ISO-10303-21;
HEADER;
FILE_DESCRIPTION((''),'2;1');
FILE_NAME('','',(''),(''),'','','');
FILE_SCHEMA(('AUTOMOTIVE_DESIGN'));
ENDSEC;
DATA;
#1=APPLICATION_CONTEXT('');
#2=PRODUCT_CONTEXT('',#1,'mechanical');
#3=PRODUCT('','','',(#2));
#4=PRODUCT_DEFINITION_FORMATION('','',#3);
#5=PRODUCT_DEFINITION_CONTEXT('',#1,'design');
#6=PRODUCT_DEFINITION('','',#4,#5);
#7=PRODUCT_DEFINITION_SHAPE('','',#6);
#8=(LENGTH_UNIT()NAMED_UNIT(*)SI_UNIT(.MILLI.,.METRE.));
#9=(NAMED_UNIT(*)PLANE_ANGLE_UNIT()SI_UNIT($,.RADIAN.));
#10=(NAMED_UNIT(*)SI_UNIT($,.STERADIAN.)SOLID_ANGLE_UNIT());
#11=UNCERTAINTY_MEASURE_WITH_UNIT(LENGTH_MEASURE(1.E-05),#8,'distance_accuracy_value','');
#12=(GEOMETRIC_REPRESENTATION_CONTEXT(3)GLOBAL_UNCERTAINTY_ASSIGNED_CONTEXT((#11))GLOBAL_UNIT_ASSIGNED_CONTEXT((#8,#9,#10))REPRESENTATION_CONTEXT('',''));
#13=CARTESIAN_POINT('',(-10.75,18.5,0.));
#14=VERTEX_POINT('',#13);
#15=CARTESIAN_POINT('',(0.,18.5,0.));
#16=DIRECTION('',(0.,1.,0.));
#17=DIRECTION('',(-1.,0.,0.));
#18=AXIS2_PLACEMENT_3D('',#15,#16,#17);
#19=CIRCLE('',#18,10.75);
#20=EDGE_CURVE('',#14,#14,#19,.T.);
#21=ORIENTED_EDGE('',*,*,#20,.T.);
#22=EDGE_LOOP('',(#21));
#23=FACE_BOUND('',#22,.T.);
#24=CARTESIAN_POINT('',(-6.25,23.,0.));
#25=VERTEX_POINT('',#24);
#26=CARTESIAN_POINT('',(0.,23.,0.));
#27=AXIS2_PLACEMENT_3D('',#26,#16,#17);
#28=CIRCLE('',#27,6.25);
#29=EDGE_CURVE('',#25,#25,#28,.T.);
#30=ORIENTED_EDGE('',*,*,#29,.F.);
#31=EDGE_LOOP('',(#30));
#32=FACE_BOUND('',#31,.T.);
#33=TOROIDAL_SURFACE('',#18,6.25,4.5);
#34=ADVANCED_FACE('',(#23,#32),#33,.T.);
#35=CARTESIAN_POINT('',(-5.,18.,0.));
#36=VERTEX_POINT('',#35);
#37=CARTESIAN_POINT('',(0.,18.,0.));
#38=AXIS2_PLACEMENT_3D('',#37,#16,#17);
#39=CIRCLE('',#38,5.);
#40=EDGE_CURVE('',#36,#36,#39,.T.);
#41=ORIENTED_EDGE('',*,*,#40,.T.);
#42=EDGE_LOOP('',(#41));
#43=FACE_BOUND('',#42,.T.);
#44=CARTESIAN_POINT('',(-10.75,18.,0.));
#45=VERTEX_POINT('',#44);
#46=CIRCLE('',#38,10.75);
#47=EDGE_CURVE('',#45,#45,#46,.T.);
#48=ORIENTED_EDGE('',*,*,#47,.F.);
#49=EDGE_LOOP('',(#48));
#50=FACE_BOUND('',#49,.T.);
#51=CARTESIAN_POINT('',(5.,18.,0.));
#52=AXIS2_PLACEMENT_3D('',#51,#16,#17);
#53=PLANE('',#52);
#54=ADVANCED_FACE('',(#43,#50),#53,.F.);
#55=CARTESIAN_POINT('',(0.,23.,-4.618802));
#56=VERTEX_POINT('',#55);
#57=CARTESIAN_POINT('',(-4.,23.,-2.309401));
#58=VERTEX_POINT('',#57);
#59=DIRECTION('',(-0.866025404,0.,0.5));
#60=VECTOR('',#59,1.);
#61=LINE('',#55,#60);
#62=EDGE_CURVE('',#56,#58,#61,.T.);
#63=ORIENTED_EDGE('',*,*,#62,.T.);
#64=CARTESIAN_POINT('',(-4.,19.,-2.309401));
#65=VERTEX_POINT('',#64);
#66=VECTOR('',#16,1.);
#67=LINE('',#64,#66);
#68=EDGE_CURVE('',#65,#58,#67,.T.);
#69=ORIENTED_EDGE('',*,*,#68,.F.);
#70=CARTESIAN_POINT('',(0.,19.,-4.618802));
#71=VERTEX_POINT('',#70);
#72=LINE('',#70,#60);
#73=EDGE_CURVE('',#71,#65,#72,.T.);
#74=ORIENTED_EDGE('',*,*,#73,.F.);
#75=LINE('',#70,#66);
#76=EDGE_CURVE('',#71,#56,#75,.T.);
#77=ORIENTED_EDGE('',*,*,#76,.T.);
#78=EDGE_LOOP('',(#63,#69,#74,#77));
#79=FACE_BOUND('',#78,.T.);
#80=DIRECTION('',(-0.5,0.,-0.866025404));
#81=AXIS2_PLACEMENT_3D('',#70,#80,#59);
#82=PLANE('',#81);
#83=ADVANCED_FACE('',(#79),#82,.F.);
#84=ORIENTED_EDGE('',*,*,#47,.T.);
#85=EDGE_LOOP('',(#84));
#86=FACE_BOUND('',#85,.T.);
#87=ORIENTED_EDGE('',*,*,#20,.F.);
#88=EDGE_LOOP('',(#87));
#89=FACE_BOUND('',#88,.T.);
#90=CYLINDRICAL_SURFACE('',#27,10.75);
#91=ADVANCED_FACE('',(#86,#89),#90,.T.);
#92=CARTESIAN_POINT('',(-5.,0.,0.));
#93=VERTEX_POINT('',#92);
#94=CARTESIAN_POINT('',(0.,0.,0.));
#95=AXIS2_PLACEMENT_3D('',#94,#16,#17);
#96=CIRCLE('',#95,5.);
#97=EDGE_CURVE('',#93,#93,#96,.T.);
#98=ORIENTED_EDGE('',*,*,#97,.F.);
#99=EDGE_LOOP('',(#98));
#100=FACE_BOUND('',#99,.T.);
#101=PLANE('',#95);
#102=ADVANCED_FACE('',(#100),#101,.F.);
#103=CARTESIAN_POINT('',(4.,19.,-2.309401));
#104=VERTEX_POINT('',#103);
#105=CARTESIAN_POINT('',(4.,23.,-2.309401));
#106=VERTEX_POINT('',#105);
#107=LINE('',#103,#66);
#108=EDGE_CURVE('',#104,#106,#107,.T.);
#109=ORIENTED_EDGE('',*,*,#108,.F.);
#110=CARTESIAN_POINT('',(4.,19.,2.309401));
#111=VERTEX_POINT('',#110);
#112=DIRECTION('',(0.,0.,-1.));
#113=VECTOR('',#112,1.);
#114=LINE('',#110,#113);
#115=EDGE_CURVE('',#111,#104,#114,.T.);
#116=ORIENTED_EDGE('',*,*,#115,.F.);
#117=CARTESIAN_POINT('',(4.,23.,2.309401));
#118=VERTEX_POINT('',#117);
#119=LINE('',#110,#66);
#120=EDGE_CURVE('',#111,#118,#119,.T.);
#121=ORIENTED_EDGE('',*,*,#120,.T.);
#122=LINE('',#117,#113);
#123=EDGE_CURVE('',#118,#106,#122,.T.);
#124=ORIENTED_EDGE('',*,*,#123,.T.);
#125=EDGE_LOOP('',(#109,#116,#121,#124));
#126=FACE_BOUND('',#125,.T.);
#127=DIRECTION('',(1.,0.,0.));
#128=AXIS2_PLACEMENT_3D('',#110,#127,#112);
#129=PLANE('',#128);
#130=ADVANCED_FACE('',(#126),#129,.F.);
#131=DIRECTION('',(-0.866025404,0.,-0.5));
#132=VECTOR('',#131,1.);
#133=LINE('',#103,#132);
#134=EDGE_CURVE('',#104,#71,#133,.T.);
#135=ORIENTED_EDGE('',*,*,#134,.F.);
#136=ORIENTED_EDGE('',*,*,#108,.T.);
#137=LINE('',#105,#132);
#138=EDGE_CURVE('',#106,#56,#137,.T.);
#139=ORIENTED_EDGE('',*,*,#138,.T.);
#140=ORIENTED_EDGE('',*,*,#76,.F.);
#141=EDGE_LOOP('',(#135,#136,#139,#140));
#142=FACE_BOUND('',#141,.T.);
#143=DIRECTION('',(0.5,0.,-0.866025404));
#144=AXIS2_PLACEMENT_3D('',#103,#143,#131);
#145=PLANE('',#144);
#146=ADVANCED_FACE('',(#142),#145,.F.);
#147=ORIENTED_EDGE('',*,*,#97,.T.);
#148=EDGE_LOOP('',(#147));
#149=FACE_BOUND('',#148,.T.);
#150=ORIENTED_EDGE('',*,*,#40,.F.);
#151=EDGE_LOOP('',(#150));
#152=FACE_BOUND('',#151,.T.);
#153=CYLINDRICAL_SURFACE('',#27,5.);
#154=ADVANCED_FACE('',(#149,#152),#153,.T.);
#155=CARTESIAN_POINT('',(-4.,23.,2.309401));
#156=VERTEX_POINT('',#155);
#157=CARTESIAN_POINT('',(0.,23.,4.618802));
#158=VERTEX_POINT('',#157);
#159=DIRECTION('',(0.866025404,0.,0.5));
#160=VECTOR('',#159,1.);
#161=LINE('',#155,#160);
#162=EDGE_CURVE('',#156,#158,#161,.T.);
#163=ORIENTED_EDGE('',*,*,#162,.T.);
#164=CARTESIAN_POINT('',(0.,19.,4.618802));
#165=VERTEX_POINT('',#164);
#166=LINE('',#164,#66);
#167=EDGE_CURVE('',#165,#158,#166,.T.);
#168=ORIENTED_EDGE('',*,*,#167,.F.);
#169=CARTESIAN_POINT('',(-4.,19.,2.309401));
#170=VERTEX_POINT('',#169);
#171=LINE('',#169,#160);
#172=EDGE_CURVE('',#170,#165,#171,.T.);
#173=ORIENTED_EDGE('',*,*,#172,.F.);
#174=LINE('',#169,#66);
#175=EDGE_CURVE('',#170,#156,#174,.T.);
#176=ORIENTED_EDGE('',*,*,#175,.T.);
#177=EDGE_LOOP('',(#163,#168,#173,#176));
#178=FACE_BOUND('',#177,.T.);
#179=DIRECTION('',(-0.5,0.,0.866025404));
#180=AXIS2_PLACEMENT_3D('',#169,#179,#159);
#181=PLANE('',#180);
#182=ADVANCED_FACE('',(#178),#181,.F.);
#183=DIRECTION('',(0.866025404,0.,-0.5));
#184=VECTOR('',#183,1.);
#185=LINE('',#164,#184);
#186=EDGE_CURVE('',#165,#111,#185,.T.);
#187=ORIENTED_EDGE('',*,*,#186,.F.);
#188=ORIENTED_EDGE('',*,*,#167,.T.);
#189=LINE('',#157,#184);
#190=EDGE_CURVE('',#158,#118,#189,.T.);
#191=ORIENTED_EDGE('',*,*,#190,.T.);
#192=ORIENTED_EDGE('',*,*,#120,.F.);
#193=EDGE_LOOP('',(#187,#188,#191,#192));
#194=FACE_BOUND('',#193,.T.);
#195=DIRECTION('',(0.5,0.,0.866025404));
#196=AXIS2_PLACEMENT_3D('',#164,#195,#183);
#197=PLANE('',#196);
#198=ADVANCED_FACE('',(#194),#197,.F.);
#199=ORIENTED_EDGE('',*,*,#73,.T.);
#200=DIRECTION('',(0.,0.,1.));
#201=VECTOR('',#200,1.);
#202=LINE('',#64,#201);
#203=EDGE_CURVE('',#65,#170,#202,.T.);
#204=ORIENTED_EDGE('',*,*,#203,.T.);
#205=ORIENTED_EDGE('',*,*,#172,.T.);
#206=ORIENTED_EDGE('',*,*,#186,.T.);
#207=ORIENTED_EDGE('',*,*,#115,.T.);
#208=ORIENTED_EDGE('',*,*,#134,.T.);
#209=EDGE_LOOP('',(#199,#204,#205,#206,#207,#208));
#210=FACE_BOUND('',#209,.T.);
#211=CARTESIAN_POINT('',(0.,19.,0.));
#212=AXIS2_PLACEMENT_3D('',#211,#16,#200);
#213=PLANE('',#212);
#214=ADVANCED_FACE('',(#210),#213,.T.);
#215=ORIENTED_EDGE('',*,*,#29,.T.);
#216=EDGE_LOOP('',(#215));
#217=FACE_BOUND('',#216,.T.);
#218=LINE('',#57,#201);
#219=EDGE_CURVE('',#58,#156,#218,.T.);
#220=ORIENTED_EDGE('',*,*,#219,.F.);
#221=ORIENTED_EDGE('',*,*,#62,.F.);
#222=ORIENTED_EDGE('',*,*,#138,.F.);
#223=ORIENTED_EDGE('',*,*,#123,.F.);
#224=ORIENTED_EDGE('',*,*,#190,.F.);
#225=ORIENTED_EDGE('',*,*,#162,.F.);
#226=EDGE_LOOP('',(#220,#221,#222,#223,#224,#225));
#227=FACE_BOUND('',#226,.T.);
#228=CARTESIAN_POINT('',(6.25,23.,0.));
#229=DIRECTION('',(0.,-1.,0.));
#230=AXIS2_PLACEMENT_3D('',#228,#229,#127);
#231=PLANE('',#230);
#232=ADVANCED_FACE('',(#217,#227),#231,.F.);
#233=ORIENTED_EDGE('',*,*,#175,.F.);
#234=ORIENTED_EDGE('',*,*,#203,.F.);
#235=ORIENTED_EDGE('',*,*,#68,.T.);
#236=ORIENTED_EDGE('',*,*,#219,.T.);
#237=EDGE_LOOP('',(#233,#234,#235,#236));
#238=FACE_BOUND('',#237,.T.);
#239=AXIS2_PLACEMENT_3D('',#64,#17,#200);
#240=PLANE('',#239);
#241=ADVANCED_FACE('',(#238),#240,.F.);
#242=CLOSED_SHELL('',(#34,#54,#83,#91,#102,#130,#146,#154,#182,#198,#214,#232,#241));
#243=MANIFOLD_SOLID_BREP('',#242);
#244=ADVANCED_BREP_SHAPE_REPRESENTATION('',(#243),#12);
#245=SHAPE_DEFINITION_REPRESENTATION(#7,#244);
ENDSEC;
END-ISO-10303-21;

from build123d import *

# Parameters (mm, degrees)
CORTE_EXTRUS_O1_DEPTH = 4


with BuildPart() as part:
    # Esboço1 → Revolução1 (revolve)
    with BuildSketch(Plane.XY):
        with BuildLine():
            Line((0, 0), (5, 0))
            Line((5, 0), (5, 18))
            Line((5, 18), (10.75, 18))
            Line((10.75, 18), (10.75, 18.5))
            ThreePointArc((10.75, 18.5), (9.431980515, 21.681980515), (6.25, 23))
            Line((6.25, 23), (0, 23))
            Line((0, 23), (0, 0))
        make_face()
    revolve(axis=Axis((0, 23, 0), (0, -1, 0)))

    # Esboço2 → Corte-extrusão1 (cut)
    with BuildSketch(Plane(origin=(0, 23, 0), x_dir=(1, 0, 0), z_dir=(0, 1, 0))):
        Polygon((0, 4.618802154), (-4, 2.309401077), (-4, -2.309401077), (0, -4.618802154), (4, -2.309401077), (4, 2.309401077), align=None)
    extrude(amount=-CORTE_EXTRUS_O1_DEPTH, mode=Mode.SUBTRACT)


solid = part.part
